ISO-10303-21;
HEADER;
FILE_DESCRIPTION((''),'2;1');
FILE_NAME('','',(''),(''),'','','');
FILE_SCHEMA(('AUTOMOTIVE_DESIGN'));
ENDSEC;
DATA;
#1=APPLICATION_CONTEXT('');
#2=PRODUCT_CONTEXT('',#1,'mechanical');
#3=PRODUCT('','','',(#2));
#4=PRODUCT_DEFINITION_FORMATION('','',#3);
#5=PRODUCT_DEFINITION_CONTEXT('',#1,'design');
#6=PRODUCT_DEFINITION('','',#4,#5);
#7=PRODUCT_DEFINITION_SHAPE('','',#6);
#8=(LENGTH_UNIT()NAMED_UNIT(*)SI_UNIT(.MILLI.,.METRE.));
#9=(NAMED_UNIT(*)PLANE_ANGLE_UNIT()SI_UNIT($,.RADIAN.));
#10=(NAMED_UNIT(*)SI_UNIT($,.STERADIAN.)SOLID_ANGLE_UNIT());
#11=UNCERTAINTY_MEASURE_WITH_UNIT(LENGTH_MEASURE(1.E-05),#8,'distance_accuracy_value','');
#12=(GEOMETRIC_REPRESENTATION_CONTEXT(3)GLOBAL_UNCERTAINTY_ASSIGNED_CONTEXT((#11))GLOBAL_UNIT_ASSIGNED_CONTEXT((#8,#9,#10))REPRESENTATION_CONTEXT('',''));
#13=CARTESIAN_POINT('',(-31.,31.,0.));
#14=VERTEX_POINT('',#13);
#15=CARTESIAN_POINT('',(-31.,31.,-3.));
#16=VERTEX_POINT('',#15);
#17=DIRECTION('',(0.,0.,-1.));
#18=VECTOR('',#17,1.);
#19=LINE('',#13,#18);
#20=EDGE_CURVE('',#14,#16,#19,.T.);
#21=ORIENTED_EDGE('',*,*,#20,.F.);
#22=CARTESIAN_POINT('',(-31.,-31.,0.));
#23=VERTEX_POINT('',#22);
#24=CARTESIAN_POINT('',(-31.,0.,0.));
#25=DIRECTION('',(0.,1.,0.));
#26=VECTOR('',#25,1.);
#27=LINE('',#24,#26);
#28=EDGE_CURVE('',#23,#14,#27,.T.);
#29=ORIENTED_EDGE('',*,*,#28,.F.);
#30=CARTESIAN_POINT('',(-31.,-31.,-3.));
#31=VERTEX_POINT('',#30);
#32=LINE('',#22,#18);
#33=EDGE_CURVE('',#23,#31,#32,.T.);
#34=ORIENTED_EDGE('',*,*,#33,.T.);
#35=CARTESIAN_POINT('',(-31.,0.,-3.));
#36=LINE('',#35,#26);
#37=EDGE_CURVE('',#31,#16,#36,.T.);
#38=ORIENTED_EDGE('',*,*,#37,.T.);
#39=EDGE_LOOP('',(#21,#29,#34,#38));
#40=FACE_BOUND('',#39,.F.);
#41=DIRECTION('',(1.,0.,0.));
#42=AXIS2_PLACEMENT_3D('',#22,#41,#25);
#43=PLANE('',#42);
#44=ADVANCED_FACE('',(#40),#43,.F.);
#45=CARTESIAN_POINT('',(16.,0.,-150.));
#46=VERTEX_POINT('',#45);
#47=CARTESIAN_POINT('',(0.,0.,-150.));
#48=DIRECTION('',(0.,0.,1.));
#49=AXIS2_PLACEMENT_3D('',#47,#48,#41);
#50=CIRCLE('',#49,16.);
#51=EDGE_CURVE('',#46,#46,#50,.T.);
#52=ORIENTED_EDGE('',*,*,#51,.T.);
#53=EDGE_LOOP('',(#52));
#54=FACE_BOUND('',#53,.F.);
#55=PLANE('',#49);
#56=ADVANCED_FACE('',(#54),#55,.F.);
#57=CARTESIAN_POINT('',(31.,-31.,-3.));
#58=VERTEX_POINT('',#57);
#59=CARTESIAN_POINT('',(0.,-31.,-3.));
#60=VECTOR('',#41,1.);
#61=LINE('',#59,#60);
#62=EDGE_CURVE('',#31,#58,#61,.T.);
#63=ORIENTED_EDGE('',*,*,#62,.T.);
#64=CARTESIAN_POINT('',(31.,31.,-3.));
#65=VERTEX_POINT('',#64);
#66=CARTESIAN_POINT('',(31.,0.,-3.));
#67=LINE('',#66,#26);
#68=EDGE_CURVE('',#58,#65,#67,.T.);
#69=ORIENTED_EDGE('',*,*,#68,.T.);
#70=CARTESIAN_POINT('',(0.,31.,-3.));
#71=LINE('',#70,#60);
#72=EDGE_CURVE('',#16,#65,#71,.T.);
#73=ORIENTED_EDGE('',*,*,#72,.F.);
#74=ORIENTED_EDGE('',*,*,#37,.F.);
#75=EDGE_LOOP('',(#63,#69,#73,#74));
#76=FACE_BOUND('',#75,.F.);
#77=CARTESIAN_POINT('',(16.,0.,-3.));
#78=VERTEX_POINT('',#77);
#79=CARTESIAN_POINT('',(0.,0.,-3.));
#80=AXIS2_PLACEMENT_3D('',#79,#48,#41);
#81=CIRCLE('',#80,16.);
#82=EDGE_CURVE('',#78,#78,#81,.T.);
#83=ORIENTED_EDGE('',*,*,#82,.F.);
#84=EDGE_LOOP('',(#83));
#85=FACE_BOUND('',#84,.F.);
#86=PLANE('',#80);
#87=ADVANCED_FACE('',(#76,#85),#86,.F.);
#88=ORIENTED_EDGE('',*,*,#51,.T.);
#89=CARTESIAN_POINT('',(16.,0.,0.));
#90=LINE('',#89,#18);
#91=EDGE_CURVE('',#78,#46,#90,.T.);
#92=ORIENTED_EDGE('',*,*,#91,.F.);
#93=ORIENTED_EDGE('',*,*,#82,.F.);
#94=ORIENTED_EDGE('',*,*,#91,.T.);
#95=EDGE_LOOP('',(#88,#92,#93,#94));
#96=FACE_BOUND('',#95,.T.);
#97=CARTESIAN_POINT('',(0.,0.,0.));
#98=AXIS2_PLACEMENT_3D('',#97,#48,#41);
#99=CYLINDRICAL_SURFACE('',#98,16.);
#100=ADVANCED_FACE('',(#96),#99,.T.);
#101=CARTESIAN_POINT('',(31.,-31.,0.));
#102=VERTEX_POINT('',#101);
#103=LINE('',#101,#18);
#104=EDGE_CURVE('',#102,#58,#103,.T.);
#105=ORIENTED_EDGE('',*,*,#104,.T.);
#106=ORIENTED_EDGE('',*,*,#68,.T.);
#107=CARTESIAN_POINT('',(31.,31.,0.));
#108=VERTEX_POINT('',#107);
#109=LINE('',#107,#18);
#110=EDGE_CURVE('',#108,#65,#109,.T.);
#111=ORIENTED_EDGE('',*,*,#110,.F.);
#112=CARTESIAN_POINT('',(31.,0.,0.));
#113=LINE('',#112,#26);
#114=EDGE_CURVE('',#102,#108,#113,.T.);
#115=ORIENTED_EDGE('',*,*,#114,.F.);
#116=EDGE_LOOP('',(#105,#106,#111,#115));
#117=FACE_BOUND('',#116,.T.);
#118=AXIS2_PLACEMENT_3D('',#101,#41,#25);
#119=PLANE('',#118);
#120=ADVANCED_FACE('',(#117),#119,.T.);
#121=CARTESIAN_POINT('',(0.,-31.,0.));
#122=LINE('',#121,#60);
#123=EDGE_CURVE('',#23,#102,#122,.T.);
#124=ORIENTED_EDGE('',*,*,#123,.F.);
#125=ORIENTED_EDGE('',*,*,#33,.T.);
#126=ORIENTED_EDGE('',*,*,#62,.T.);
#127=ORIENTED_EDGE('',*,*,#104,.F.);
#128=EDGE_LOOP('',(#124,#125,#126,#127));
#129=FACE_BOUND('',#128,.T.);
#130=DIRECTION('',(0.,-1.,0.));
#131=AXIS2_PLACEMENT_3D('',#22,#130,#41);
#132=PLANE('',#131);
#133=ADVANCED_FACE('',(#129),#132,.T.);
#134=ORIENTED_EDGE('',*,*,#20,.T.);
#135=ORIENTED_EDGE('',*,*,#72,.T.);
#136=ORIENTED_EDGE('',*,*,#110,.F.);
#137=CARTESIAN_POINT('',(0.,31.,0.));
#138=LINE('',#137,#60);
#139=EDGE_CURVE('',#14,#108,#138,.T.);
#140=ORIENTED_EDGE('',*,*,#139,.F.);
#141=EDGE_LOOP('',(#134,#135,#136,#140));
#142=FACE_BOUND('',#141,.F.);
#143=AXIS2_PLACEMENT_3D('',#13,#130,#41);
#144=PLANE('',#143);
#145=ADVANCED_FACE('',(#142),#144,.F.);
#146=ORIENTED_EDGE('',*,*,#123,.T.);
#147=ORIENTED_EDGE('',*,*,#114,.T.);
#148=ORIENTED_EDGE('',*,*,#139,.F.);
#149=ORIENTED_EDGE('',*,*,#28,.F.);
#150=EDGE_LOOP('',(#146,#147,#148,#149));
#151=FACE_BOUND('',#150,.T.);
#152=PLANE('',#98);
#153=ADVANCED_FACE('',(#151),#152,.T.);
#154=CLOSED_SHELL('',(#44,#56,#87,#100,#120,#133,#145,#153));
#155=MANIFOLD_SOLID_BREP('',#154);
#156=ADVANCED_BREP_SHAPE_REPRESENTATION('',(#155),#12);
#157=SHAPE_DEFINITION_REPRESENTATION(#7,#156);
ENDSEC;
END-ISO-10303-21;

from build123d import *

# Parameters (mm, degrees)
F0_R     = 16
F1_DEPTH = 150
F2_W     = 62
F2_H     = 62
F3_DEPTH = 3


with BuildPart() as f1:
    # F0 (on Top) → F1 (new body)
    with BuildSketch(Plane.XY):
        Circle(F0_R)
    extrude(amount=-F1_DEPTH)

    # F2 (on Top) → F3 (join)
    with BuildSketch(Plane.XY):
        Rectangle(F2_W, F2_H)
    extrude(amount=-F3_DEPTH)


solid = f1.part
